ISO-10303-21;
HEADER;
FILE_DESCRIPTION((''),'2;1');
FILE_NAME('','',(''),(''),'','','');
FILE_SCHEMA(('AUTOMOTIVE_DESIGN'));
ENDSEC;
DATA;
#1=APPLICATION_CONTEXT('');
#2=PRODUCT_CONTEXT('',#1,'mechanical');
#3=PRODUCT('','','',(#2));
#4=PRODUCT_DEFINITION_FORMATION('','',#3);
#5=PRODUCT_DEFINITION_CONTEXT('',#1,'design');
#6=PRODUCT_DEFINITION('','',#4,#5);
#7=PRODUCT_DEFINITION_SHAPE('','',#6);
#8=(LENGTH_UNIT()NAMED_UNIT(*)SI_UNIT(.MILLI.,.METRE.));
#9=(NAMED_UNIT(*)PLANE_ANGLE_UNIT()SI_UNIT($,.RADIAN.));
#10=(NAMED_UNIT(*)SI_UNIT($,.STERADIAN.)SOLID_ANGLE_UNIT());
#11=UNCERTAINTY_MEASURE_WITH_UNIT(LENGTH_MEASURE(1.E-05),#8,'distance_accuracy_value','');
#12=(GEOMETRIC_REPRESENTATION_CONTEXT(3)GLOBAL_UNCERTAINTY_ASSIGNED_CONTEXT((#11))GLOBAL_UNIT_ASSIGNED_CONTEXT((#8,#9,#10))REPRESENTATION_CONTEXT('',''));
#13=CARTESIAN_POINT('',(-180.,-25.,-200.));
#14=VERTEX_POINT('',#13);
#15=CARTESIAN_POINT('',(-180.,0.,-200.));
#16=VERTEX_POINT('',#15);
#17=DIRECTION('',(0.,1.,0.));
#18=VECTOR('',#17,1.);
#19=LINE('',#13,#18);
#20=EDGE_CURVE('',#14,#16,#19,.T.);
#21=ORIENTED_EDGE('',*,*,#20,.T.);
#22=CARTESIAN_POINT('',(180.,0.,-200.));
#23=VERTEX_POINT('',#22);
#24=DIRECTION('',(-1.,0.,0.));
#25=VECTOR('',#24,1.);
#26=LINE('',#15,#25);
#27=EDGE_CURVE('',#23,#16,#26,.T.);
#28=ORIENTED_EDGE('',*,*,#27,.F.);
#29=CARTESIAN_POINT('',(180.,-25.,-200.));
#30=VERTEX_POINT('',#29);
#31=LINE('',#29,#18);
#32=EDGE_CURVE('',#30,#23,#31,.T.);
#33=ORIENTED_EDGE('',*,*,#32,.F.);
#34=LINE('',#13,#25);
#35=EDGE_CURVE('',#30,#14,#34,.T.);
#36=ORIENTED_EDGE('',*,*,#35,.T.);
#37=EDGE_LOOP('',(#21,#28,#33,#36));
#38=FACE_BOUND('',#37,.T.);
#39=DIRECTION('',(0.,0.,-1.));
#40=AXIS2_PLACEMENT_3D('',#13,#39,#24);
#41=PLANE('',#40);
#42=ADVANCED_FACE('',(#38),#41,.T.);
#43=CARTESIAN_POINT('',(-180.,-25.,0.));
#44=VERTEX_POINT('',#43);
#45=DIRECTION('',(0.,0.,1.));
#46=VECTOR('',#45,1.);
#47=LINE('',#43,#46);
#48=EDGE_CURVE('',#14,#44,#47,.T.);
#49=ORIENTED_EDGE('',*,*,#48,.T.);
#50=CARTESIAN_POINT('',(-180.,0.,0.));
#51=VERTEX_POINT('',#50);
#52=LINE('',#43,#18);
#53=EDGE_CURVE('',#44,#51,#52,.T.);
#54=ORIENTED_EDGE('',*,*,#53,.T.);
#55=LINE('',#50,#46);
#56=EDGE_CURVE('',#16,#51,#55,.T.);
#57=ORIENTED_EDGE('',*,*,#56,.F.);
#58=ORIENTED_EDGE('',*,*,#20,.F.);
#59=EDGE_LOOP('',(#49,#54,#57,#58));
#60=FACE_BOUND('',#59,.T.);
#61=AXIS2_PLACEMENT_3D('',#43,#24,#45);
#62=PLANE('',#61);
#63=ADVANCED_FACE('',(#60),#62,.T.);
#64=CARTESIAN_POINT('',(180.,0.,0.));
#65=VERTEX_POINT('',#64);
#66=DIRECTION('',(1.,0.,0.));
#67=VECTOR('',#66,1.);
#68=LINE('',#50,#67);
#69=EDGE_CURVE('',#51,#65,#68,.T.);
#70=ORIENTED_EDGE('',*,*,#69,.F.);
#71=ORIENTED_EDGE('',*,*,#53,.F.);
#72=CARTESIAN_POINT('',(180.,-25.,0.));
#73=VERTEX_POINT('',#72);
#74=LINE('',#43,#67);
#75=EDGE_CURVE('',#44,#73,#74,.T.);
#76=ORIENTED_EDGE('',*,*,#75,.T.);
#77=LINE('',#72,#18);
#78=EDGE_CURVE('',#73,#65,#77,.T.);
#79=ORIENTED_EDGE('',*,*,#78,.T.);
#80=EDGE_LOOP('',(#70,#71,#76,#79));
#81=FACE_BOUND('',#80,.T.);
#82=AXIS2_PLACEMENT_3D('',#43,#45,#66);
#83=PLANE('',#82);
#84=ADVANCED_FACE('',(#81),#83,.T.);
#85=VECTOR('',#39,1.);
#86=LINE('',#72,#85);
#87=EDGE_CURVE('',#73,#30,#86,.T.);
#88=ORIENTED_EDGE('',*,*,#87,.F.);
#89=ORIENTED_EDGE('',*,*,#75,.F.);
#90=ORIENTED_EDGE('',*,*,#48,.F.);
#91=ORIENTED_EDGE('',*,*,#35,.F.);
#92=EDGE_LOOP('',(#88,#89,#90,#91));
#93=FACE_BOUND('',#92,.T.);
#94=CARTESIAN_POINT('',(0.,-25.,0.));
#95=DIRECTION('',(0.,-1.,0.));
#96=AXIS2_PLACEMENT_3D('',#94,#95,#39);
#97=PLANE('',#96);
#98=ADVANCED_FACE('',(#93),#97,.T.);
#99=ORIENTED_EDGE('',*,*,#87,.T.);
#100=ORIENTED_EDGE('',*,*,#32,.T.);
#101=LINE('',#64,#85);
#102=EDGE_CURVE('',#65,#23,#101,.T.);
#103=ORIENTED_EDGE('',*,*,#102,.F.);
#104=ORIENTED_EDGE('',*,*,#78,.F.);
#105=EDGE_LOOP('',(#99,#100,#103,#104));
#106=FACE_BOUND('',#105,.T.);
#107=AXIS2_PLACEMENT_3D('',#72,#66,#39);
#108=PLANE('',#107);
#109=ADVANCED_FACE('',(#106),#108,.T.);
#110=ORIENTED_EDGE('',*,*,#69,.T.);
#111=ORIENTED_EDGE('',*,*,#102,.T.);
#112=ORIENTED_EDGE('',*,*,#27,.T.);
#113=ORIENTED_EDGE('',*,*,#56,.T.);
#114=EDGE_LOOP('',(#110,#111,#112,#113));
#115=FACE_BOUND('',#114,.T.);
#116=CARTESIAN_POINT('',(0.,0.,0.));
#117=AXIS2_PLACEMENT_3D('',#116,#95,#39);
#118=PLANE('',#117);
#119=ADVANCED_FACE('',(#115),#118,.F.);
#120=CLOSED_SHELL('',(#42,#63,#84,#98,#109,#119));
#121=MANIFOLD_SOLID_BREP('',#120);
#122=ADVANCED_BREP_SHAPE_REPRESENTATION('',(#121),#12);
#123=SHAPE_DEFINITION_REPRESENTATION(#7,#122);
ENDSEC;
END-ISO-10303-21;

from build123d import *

# Parameters (mm, degrees)
SKETCH1_W           = 360
SKETCH1_H           = 200
BOSS_EXTRUDE1_DEPTH = 25


with BuildPart() as part:
    # Sketch1 → Boss-Extrude1 (new body)
    with BuildSketch(Plane(origin=(0, 0, 0), x_dir=(1, 0, 0), z_dir=(0, 1, 0))):
        with Locations((0, 100)):
            Rectangle(SKETCH1_W, SKETCH1_H)
    extrude(amount=-BOSS_EXTRUDE1_DEPTH)


solid = part.part
